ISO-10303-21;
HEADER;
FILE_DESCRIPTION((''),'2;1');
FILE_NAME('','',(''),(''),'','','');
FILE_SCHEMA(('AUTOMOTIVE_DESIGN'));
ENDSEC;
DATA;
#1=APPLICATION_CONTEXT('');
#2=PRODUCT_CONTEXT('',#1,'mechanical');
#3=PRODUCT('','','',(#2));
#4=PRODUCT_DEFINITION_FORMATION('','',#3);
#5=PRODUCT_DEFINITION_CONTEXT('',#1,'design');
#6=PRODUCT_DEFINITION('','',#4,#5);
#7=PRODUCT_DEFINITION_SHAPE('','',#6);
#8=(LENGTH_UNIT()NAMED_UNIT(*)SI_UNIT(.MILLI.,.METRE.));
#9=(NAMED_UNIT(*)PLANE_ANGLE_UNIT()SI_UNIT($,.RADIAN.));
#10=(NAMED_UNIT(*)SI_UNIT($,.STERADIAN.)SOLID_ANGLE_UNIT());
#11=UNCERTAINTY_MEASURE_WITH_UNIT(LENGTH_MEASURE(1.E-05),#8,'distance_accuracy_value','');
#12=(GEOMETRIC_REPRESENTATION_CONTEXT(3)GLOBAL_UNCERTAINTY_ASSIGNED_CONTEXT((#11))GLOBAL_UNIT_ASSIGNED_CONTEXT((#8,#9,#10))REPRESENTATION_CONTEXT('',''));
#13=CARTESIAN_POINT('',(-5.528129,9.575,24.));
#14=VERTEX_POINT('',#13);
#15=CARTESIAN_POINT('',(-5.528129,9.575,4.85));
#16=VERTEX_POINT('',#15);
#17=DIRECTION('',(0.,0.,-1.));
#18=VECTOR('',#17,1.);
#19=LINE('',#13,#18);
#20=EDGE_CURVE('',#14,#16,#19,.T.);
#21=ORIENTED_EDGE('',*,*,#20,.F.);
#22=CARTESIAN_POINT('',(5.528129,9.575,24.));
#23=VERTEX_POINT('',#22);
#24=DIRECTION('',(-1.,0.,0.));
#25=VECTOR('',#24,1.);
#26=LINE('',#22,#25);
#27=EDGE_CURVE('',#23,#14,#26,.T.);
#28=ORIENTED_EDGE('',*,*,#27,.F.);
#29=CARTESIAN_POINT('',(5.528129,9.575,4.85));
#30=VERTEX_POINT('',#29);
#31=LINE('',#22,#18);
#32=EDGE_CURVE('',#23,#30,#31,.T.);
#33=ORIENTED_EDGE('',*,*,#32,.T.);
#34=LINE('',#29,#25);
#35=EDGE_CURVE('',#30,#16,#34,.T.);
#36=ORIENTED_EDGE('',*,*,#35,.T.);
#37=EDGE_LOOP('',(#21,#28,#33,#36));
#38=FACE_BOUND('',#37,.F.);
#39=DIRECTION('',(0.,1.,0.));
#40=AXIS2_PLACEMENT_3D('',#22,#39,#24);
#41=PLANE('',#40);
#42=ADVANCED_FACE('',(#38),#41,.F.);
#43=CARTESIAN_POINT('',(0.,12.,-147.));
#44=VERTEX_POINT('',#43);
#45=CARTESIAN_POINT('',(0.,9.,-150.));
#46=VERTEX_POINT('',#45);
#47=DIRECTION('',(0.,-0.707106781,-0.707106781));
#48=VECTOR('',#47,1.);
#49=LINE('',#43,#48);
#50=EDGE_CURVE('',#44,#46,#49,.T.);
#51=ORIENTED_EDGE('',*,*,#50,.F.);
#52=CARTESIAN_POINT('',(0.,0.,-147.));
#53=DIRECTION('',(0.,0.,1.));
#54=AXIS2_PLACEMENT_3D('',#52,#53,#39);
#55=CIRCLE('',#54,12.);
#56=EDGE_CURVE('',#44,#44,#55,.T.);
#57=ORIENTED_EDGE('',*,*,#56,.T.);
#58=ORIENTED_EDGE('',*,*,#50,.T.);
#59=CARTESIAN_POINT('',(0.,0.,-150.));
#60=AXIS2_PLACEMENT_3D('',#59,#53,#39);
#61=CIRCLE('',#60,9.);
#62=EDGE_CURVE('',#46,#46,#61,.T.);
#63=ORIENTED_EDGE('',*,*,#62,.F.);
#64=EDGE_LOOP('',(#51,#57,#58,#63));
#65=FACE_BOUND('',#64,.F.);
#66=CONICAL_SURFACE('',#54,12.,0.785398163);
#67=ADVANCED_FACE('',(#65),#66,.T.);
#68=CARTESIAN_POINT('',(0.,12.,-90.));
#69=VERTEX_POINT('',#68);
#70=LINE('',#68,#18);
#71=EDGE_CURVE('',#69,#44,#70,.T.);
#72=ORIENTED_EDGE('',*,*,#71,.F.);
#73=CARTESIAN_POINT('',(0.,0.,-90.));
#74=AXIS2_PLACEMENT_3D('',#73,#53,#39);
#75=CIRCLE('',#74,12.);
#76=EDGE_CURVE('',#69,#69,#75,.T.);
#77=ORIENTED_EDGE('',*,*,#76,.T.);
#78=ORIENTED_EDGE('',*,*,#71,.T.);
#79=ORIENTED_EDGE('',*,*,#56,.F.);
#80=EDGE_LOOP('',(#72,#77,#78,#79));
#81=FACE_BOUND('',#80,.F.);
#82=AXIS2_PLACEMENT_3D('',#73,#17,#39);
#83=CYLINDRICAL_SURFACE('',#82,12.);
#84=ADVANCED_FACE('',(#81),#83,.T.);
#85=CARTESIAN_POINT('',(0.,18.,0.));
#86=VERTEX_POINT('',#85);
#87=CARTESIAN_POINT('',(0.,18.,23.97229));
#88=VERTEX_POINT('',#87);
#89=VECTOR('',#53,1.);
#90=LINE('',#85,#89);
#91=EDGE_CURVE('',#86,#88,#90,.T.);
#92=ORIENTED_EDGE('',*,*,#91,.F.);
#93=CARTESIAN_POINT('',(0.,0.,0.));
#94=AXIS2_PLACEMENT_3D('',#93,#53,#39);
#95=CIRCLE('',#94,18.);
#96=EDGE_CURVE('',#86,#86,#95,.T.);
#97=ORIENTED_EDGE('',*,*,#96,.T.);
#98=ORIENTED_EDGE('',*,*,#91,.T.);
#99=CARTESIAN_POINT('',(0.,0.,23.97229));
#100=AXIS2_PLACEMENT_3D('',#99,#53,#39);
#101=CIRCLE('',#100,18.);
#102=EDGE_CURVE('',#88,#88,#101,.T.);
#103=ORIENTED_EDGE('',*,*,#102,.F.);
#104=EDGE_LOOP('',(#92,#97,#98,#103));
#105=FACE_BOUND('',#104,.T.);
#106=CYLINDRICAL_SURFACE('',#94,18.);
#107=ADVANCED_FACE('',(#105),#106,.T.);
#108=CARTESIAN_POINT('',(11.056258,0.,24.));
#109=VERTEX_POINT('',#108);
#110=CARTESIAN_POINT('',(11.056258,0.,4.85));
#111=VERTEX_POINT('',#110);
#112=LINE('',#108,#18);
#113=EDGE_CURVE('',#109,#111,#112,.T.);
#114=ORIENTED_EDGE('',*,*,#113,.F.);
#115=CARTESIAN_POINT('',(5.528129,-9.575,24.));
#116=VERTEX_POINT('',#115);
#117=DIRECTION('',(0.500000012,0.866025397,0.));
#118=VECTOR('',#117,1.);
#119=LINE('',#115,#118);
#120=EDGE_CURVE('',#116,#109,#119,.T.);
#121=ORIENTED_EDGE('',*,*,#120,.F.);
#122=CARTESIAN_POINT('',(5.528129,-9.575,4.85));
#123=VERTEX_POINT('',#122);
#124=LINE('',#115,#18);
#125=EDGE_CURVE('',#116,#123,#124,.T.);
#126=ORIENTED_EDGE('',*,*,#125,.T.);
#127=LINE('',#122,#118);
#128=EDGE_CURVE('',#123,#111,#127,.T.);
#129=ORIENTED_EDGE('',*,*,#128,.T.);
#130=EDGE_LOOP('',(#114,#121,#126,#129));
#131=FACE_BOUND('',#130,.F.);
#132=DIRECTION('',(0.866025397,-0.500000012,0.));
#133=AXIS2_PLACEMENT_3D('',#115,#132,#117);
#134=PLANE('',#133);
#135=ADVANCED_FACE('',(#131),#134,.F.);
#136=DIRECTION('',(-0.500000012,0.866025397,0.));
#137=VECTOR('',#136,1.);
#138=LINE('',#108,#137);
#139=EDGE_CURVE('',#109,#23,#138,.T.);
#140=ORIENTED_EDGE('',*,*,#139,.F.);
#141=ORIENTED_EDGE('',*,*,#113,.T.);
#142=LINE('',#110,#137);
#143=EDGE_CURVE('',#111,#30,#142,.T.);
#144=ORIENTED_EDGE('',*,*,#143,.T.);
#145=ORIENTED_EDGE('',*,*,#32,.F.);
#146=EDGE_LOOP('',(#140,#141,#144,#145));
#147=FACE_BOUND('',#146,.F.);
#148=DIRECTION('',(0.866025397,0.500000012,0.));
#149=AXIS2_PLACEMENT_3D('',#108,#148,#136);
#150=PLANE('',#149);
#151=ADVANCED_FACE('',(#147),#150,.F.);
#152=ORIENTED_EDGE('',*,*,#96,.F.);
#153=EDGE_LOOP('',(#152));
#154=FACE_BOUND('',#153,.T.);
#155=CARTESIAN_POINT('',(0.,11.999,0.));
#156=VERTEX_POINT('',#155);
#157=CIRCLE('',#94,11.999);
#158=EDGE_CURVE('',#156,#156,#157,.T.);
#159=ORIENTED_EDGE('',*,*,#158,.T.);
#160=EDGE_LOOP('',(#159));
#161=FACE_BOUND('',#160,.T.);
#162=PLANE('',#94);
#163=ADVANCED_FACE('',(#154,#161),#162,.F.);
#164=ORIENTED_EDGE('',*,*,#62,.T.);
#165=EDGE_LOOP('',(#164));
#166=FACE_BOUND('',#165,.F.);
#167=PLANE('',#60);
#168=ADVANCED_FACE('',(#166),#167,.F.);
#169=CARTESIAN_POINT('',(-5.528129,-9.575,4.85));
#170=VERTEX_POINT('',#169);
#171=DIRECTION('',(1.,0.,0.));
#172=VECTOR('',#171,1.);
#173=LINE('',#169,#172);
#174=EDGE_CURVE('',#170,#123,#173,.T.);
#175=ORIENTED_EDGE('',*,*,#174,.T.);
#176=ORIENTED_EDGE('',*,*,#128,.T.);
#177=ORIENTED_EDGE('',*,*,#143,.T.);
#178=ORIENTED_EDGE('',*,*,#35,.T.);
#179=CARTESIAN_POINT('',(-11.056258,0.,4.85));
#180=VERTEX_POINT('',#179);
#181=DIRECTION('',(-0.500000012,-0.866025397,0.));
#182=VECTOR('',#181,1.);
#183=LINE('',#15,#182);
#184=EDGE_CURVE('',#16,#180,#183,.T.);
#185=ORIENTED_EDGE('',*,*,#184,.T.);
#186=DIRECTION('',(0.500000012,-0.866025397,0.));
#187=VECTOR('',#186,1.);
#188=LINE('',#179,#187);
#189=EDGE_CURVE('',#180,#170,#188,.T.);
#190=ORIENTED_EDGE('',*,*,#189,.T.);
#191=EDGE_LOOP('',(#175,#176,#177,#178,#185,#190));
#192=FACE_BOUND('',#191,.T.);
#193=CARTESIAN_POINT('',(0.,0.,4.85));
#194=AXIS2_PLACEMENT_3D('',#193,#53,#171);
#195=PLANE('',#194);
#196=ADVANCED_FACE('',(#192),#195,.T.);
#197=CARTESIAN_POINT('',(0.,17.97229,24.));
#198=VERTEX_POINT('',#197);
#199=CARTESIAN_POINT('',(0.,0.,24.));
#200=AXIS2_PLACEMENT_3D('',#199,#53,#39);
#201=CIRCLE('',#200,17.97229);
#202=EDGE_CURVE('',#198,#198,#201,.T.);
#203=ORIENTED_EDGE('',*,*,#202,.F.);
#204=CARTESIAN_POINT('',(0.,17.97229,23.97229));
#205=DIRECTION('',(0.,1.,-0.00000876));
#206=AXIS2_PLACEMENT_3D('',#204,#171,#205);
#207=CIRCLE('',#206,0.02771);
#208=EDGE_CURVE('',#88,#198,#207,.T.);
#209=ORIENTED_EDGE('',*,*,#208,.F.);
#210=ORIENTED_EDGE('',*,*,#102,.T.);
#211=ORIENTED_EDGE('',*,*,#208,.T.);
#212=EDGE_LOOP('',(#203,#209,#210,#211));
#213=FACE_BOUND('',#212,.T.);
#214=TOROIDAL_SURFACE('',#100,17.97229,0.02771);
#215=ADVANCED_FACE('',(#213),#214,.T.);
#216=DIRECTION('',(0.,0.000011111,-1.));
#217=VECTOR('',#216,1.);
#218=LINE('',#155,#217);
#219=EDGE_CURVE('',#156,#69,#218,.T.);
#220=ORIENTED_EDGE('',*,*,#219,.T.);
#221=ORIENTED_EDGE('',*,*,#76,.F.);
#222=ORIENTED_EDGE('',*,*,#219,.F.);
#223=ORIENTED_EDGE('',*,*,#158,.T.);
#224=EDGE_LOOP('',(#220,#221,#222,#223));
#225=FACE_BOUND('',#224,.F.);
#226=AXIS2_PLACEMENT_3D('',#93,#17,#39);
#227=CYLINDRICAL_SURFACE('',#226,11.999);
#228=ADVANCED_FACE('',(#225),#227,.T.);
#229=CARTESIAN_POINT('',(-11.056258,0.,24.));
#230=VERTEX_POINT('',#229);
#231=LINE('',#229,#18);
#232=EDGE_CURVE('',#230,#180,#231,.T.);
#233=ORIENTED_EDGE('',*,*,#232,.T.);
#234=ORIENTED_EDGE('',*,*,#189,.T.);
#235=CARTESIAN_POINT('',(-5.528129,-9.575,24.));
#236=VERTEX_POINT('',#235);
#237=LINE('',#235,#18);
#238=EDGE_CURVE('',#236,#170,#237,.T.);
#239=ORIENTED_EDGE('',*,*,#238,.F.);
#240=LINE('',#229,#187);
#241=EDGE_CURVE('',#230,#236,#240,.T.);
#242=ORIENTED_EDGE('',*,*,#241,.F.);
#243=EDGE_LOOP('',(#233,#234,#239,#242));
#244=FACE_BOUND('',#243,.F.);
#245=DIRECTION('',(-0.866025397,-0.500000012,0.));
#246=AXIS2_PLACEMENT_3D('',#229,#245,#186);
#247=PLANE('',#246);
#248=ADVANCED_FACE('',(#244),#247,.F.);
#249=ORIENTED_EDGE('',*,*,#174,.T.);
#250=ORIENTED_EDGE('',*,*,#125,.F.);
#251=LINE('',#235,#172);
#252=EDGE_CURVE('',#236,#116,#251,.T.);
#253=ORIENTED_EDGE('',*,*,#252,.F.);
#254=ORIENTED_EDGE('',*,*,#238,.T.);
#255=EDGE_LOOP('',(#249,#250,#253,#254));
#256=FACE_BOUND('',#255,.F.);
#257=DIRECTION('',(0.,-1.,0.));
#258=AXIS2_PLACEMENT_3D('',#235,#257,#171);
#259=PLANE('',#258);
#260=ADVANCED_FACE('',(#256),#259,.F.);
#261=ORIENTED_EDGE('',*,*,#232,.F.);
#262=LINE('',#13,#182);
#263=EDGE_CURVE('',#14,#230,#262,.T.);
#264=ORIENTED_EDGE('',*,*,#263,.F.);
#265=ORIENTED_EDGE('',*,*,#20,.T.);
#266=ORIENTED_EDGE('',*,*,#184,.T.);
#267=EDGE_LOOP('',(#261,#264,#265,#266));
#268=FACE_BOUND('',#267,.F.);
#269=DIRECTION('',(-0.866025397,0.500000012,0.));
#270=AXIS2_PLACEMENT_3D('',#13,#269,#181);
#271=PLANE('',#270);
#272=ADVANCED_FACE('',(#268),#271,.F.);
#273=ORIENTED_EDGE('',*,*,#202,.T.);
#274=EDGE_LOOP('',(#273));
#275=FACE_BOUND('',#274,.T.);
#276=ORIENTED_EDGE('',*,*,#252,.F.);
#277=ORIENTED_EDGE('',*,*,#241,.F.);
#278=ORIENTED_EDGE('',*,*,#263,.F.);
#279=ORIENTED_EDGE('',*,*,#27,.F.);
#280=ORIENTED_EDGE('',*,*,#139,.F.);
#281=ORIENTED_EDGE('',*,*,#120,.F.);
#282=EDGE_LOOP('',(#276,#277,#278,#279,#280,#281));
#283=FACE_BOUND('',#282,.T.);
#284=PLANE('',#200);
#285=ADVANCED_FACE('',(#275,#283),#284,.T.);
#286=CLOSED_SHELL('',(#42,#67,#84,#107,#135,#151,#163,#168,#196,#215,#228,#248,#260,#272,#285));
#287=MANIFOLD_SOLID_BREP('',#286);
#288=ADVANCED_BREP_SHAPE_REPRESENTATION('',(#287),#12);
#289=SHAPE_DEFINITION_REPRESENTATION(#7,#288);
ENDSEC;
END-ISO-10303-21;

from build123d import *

# Parameters (mm, degrees)
POCKET_DEPTH = 19.15


with BuildPart() as part:
    # Sketch → Revolve (revolve)
    with BuildSketch(Plane.YZ):
        with BuildLine():
            Line((11.999, 0), (18, 0))
            Line((18, 0), (18, 23.97229))
            ThreePointArc((18, 23.97229), (17.991884, 23.991884), (17.97229, 24))
            Line((17.97229, 24), (0, 24))
            Line((0, -150), (0, 24))
            Line((9, -150), (0, -150))
            Line((12, -147), (9, -150))
            Line((12, -90), (12, -147))
            Line((11.999, 0), (12, -90))
        make_face()
    revolve(axis=Axis((0, 0, 0), (0, 0, 1)))

    # Sketch001 → Pocket (cut)
    with BuildSketch(Plane.XY.offset(24)):
        Polygon((11.056258, 0), (5.528129, 9.575), (-5.528129, 9.575), (-11.056258, 0), (-5.528129, -9.575), (5.528129, -9.575), align=None)
    extrude(amount=-POCKET_DEPTH, mode=Mode.SUBTRACT)


solid = part.part
